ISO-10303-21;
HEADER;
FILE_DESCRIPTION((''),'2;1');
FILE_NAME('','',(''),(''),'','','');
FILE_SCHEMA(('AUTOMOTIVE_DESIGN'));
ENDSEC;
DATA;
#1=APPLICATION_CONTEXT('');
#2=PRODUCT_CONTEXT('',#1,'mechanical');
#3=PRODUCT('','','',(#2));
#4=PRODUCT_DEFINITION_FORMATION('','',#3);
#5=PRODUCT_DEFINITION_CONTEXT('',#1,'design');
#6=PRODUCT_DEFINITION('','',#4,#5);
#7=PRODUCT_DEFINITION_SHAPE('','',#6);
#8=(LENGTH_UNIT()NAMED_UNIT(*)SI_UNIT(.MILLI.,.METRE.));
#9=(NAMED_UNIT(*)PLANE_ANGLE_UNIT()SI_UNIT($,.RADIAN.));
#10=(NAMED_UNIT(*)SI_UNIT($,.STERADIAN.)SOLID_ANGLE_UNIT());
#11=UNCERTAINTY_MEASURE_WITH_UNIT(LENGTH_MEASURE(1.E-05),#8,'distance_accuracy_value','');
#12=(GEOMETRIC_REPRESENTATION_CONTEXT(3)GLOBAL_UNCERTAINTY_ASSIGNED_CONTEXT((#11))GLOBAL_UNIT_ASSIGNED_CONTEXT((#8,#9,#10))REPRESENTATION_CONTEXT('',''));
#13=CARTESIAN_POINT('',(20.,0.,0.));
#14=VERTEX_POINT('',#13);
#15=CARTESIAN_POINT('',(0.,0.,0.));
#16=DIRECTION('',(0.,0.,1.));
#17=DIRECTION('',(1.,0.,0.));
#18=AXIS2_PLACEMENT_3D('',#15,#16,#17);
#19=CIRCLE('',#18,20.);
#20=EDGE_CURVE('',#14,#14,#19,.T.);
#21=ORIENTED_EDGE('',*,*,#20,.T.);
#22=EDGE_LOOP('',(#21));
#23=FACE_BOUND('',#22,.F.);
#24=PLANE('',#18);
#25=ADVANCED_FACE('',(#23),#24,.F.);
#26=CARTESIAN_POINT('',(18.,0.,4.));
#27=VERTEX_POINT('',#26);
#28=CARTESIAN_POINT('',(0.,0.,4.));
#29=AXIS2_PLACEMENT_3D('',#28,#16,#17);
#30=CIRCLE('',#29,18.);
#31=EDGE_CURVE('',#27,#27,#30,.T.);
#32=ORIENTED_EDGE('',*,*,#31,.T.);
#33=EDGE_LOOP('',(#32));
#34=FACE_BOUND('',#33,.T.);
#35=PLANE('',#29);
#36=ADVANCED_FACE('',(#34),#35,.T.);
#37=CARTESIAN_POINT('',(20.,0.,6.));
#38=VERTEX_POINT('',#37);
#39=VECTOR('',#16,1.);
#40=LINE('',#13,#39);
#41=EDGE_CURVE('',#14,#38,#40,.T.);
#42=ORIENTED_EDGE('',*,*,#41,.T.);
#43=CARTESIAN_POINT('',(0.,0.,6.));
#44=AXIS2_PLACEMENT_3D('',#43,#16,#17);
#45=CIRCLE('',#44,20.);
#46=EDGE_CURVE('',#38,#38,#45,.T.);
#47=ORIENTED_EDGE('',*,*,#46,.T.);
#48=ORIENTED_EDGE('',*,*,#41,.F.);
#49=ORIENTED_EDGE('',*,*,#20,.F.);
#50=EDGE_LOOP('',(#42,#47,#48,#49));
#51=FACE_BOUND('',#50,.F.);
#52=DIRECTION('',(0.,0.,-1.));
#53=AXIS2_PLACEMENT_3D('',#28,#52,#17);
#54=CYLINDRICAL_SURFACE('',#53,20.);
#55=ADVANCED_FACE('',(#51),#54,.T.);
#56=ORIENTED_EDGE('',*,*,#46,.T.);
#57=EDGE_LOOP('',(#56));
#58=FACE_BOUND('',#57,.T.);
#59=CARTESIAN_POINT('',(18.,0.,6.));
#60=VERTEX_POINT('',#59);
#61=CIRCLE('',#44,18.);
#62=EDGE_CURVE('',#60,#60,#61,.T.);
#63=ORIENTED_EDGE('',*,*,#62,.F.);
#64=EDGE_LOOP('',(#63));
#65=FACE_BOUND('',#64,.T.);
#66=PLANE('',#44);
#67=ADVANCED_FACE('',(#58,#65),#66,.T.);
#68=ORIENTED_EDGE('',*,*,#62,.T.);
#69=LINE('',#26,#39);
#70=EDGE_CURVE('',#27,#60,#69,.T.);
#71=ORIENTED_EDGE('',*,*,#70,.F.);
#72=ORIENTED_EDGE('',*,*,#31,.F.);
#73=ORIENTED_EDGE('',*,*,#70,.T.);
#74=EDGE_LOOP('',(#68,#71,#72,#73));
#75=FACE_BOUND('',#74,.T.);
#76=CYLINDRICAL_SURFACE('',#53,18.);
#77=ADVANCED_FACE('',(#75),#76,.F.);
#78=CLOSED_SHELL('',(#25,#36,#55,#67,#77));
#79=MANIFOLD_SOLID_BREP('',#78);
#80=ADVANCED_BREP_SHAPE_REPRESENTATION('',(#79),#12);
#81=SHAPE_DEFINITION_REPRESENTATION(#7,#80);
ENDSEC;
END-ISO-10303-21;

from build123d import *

# Parameters (mm, degrees)
SKETCH_R      = 20
PAD_DEPTH     = 4
SKETCH001_R   = 20
SKETCH001_R_2 = 18
PAD001_DEPTH  = 2


with BuildPart() as part:
    # Sketch → Pad (new body)
    with BuildSketch(Plane.XY):
        Circle(SKETCH_R)
    extrude(amount=PAD_DEPTH)

    # Sketch001 (on Face3 of Pad) → Pad001 (join)
    with BuildSketch(Plane.XY.offset(4)):
        Circle(SKETCH001_R)
        Circle(SKETCH001_R_2, mode=Mode.SUBTRACT)
    extrude(amount=PAD001_DEPTH)


solid = part.part
